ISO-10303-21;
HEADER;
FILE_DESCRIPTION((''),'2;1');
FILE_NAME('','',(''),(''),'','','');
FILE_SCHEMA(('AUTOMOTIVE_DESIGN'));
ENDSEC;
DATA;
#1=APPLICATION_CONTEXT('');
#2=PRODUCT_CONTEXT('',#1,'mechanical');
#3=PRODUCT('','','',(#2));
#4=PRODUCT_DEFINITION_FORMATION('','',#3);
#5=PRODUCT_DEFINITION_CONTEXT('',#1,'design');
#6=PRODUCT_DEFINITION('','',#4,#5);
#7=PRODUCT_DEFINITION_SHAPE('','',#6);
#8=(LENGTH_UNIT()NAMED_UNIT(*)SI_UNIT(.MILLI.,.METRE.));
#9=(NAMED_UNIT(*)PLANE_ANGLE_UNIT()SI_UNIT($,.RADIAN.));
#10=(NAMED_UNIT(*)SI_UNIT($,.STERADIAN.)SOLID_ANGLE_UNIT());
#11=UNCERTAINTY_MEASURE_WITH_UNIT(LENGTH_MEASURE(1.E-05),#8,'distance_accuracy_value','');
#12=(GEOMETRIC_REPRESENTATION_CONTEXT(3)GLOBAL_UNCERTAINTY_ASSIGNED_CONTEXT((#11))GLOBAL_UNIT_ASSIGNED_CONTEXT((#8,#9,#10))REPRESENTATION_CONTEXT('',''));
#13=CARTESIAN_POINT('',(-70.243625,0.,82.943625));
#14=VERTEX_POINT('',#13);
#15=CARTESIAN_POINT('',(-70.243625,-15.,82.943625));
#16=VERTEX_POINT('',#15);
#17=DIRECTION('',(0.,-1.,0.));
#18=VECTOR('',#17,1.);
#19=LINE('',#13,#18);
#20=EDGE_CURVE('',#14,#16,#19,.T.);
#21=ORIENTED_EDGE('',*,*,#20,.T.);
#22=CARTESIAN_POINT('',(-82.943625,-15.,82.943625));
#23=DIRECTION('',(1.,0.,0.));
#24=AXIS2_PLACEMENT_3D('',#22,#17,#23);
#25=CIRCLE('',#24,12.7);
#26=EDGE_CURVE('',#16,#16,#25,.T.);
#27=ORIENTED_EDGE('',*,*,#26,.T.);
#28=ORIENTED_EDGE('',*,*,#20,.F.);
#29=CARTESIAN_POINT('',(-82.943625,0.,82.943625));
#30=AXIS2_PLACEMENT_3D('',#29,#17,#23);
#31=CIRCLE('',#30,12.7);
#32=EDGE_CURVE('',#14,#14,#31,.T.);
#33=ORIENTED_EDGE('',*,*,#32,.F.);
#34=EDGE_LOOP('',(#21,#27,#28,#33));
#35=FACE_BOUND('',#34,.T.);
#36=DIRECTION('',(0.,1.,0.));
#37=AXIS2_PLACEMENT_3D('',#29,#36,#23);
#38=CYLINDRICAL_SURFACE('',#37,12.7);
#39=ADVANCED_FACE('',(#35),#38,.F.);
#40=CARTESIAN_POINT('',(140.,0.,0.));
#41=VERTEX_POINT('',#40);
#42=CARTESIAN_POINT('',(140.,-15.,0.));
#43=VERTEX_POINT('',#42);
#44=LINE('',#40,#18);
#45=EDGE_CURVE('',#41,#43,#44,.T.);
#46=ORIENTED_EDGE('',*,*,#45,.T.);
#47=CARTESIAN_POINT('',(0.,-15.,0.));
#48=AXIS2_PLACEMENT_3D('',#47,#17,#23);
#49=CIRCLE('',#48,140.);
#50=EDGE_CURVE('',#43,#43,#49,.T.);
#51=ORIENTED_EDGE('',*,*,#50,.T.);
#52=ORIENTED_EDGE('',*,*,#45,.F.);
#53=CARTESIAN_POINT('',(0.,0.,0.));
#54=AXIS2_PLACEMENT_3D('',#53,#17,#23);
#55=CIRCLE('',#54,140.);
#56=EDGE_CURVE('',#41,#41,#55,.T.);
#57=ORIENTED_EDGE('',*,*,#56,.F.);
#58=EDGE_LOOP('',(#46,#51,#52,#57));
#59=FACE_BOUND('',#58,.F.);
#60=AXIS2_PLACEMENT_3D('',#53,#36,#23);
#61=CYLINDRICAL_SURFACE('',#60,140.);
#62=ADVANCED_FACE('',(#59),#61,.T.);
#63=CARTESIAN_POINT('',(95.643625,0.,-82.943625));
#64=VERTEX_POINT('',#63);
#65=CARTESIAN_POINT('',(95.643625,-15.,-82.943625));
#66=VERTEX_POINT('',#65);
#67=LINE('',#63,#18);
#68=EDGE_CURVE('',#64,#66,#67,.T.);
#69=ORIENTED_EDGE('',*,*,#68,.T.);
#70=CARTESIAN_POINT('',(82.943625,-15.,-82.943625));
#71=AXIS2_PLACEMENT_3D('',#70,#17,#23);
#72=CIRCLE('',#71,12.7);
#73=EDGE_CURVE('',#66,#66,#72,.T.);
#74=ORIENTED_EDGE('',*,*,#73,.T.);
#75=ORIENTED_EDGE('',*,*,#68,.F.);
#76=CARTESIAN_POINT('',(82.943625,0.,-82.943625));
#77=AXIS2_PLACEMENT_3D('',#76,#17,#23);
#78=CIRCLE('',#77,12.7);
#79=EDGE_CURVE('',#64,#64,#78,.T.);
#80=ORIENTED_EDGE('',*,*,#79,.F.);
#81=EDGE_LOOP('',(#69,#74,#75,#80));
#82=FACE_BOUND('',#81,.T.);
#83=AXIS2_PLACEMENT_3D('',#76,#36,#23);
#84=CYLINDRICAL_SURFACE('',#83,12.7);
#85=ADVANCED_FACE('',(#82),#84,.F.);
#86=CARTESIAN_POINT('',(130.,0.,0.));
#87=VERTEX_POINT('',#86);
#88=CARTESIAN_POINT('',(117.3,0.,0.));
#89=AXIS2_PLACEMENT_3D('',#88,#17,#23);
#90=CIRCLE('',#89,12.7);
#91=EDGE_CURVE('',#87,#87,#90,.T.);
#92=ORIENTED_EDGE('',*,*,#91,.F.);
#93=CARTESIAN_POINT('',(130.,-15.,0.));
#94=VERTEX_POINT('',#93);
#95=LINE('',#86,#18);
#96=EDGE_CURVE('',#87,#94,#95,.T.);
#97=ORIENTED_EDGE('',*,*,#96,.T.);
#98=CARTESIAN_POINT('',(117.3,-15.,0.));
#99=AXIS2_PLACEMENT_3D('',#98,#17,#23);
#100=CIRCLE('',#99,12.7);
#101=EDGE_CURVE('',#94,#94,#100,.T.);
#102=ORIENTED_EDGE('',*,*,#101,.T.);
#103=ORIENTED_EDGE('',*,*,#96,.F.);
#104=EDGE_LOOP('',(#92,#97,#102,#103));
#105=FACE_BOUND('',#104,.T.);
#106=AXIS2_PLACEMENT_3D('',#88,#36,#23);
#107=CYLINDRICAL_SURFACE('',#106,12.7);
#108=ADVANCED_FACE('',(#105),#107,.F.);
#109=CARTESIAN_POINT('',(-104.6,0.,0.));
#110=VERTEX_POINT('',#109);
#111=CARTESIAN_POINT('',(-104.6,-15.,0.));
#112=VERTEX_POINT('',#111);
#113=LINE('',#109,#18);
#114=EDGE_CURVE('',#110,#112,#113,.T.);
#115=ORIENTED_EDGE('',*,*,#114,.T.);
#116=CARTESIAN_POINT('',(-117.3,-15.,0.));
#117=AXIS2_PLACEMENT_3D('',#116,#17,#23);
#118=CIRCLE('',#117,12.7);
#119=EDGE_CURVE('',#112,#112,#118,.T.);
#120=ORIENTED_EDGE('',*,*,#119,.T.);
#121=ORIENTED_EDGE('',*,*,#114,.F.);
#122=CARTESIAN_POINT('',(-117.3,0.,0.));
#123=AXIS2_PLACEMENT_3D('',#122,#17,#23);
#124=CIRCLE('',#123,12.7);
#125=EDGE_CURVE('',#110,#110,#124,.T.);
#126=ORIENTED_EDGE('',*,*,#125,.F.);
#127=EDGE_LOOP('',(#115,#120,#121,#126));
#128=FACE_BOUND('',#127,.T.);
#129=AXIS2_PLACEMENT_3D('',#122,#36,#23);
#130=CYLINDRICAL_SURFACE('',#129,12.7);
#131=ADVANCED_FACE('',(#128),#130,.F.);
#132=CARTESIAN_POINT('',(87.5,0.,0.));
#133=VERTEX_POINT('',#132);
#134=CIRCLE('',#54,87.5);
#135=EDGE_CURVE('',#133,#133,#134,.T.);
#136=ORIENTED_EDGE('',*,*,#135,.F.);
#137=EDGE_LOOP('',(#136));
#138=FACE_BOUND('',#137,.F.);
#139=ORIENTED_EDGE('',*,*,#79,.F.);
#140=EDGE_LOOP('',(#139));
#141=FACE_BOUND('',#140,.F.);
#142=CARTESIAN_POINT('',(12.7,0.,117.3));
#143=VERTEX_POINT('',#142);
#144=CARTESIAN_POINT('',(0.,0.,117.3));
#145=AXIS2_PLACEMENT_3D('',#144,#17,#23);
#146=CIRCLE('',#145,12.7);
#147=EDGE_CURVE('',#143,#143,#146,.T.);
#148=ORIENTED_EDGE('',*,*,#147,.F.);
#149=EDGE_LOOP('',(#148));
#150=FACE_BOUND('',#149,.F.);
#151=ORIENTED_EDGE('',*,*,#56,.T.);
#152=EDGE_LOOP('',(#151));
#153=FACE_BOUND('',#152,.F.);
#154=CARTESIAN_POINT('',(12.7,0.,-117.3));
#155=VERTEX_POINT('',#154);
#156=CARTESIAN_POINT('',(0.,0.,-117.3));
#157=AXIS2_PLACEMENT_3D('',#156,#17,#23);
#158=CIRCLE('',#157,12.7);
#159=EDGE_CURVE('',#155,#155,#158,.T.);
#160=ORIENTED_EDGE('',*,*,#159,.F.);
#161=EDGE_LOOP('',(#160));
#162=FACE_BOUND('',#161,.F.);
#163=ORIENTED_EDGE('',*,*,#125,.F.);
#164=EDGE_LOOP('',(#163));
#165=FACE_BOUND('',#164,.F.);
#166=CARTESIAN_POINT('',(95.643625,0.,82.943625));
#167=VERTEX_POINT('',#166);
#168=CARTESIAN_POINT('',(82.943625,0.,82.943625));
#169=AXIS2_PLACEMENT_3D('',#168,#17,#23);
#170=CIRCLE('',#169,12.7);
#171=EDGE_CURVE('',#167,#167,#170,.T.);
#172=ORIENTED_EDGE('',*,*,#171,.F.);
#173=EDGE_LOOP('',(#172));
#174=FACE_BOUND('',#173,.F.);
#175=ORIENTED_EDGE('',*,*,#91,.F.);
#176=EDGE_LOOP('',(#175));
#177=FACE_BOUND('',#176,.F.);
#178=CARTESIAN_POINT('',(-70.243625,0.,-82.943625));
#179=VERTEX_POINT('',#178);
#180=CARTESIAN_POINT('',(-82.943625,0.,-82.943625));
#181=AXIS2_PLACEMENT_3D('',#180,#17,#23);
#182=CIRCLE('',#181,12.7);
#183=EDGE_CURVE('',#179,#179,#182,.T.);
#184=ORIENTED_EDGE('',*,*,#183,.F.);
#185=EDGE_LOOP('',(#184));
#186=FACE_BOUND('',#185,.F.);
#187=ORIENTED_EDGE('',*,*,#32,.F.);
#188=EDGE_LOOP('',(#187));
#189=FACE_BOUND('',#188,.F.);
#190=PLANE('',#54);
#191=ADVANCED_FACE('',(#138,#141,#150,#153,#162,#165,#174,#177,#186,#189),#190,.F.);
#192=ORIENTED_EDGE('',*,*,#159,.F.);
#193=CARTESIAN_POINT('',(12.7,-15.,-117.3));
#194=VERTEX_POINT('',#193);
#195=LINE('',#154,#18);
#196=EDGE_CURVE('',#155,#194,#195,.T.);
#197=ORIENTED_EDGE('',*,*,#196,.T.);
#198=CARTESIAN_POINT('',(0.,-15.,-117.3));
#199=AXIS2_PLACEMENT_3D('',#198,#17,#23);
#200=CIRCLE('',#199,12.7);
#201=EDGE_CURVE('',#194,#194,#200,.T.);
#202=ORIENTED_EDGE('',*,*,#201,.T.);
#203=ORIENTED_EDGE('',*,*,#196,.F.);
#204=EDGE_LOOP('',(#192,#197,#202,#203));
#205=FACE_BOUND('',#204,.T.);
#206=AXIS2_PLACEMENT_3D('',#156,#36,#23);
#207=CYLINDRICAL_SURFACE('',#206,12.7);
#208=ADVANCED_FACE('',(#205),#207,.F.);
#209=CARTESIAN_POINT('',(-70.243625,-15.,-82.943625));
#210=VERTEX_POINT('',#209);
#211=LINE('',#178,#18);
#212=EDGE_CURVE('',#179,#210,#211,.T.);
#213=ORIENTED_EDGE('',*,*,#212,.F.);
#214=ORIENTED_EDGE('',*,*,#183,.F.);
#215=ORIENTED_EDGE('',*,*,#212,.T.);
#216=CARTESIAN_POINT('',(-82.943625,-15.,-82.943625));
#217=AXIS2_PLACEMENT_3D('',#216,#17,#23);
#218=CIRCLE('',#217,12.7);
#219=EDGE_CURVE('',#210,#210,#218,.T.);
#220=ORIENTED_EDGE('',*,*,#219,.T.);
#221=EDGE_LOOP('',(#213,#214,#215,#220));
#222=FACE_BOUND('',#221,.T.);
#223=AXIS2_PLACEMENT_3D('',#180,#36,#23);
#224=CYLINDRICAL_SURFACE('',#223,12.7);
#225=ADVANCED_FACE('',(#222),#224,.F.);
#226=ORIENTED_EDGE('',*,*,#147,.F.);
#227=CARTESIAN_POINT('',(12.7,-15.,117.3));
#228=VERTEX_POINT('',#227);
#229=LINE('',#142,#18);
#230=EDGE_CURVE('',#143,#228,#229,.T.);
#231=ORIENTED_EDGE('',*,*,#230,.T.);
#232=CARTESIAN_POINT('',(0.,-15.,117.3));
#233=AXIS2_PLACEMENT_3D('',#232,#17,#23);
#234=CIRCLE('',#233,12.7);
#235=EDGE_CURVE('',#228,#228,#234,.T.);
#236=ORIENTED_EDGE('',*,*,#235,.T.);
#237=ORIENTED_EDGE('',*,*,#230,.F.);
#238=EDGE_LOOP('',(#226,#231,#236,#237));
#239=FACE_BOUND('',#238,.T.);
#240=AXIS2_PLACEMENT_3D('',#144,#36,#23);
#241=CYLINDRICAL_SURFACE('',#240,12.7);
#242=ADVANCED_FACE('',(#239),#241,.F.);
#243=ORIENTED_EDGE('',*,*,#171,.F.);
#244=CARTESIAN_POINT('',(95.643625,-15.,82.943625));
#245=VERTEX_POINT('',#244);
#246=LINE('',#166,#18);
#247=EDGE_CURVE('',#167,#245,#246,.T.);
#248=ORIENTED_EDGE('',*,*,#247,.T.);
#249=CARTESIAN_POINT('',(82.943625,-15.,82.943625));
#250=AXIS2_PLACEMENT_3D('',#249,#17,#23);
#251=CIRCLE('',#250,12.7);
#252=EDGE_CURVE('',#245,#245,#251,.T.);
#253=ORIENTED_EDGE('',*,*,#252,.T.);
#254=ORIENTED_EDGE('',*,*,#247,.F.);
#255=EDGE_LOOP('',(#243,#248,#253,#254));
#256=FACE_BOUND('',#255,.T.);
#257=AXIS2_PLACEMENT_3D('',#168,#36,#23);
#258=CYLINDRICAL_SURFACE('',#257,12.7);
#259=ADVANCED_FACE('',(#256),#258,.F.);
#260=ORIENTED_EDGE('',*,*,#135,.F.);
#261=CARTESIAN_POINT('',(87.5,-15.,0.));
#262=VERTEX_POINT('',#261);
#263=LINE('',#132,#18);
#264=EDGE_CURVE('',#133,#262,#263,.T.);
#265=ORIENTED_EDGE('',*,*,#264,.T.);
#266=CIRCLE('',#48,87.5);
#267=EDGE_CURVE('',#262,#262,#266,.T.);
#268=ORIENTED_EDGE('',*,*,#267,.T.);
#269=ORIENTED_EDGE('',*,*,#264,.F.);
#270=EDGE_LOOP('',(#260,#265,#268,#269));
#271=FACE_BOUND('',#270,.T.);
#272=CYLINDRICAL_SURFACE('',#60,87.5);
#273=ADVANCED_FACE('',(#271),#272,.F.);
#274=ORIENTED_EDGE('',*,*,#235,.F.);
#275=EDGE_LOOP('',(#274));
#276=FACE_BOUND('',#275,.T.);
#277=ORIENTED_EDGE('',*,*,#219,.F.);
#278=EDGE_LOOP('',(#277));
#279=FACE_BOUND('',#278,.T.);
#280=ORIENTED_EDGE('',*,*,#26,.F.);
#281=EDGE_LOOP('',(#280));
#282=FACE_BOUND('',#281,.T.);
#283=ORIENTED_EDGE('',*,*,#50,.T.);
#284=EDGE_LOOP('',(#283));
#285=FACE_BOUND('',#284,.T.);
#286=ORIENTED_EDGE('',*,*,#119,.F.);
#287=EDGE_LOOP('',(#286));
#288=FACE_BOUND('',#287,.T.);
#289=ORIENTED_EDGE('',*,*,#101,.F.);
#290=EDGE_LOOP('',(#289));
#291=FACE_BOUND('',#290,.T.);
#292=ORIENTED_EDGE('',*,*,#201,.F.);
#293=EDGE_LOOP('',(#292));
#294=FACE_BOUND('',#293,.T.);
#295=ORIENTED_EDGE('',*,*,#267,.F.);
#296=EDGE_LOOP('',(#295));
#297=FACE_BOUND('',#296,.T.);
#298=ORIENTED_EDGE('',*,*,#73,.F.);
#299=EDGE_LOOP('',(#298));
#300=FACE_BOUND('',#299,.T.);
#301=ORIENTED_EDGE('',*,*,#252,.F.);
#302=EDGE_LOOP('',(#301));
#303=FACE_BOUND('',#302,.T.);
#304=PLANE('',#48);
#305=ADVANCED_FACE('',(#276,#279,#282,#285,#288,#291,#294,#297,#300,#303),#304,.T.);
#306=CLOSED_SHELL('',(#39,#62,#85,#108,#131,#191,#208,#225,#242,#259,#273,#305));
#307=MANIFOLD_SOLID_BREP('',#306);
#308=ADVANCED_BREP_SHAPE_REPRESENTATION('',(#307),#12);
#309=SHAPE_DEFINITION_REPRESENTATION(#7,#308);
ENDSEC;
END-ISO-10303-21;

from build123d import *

# Parameters (mm, degrees)
F0_R     = 140
F0_R_2   = 12.7
F0_R_3   = 87.5
F1_DEPTH = 15


with BuildPart() as f1:
    # F0 (on Front) → F1 (new body)
    with BuildSketch(Plane.XZ):
        Circle(F0_R)
        with Locations((-82.943625, -82.943625)):
            Circle(F0_R_2, mode=Mode.SUBTRACT)
        with Locations((0, -117.3)):
            Circle(F0_R_2, mode=Mode.SUBTRACT)
        with Locations((82.943625, -82.943625)):
            Circle(F0_R_2, mode=Mode.SUBTRACT)
        with Locations((-117.3, 0)):
            Circle(F0_R_2, mode=Mode.SUBTRACT)
        with Locations((-82.943625, 82.943625)):
            Circle(F0_R_2, mode=Mode.SUBTRACT)
        Circle(F0_R_3, mode=Mode.SUBTRACT)
        with Locations((117.3, 0)):
            Circle(F0_R_2, mode=Mode.SUBTRACT)
        with Locations((0, 117.3)):
            Circle(F0_R_2, mode=Mode.SUBTRACT)
        with Locations((82.943625, 82.943625)):
            Circle(F0_R_2, mode=Mode.SUBTRACT)
    extrude(amount=F1_DEPTH)


solid = f1.part
